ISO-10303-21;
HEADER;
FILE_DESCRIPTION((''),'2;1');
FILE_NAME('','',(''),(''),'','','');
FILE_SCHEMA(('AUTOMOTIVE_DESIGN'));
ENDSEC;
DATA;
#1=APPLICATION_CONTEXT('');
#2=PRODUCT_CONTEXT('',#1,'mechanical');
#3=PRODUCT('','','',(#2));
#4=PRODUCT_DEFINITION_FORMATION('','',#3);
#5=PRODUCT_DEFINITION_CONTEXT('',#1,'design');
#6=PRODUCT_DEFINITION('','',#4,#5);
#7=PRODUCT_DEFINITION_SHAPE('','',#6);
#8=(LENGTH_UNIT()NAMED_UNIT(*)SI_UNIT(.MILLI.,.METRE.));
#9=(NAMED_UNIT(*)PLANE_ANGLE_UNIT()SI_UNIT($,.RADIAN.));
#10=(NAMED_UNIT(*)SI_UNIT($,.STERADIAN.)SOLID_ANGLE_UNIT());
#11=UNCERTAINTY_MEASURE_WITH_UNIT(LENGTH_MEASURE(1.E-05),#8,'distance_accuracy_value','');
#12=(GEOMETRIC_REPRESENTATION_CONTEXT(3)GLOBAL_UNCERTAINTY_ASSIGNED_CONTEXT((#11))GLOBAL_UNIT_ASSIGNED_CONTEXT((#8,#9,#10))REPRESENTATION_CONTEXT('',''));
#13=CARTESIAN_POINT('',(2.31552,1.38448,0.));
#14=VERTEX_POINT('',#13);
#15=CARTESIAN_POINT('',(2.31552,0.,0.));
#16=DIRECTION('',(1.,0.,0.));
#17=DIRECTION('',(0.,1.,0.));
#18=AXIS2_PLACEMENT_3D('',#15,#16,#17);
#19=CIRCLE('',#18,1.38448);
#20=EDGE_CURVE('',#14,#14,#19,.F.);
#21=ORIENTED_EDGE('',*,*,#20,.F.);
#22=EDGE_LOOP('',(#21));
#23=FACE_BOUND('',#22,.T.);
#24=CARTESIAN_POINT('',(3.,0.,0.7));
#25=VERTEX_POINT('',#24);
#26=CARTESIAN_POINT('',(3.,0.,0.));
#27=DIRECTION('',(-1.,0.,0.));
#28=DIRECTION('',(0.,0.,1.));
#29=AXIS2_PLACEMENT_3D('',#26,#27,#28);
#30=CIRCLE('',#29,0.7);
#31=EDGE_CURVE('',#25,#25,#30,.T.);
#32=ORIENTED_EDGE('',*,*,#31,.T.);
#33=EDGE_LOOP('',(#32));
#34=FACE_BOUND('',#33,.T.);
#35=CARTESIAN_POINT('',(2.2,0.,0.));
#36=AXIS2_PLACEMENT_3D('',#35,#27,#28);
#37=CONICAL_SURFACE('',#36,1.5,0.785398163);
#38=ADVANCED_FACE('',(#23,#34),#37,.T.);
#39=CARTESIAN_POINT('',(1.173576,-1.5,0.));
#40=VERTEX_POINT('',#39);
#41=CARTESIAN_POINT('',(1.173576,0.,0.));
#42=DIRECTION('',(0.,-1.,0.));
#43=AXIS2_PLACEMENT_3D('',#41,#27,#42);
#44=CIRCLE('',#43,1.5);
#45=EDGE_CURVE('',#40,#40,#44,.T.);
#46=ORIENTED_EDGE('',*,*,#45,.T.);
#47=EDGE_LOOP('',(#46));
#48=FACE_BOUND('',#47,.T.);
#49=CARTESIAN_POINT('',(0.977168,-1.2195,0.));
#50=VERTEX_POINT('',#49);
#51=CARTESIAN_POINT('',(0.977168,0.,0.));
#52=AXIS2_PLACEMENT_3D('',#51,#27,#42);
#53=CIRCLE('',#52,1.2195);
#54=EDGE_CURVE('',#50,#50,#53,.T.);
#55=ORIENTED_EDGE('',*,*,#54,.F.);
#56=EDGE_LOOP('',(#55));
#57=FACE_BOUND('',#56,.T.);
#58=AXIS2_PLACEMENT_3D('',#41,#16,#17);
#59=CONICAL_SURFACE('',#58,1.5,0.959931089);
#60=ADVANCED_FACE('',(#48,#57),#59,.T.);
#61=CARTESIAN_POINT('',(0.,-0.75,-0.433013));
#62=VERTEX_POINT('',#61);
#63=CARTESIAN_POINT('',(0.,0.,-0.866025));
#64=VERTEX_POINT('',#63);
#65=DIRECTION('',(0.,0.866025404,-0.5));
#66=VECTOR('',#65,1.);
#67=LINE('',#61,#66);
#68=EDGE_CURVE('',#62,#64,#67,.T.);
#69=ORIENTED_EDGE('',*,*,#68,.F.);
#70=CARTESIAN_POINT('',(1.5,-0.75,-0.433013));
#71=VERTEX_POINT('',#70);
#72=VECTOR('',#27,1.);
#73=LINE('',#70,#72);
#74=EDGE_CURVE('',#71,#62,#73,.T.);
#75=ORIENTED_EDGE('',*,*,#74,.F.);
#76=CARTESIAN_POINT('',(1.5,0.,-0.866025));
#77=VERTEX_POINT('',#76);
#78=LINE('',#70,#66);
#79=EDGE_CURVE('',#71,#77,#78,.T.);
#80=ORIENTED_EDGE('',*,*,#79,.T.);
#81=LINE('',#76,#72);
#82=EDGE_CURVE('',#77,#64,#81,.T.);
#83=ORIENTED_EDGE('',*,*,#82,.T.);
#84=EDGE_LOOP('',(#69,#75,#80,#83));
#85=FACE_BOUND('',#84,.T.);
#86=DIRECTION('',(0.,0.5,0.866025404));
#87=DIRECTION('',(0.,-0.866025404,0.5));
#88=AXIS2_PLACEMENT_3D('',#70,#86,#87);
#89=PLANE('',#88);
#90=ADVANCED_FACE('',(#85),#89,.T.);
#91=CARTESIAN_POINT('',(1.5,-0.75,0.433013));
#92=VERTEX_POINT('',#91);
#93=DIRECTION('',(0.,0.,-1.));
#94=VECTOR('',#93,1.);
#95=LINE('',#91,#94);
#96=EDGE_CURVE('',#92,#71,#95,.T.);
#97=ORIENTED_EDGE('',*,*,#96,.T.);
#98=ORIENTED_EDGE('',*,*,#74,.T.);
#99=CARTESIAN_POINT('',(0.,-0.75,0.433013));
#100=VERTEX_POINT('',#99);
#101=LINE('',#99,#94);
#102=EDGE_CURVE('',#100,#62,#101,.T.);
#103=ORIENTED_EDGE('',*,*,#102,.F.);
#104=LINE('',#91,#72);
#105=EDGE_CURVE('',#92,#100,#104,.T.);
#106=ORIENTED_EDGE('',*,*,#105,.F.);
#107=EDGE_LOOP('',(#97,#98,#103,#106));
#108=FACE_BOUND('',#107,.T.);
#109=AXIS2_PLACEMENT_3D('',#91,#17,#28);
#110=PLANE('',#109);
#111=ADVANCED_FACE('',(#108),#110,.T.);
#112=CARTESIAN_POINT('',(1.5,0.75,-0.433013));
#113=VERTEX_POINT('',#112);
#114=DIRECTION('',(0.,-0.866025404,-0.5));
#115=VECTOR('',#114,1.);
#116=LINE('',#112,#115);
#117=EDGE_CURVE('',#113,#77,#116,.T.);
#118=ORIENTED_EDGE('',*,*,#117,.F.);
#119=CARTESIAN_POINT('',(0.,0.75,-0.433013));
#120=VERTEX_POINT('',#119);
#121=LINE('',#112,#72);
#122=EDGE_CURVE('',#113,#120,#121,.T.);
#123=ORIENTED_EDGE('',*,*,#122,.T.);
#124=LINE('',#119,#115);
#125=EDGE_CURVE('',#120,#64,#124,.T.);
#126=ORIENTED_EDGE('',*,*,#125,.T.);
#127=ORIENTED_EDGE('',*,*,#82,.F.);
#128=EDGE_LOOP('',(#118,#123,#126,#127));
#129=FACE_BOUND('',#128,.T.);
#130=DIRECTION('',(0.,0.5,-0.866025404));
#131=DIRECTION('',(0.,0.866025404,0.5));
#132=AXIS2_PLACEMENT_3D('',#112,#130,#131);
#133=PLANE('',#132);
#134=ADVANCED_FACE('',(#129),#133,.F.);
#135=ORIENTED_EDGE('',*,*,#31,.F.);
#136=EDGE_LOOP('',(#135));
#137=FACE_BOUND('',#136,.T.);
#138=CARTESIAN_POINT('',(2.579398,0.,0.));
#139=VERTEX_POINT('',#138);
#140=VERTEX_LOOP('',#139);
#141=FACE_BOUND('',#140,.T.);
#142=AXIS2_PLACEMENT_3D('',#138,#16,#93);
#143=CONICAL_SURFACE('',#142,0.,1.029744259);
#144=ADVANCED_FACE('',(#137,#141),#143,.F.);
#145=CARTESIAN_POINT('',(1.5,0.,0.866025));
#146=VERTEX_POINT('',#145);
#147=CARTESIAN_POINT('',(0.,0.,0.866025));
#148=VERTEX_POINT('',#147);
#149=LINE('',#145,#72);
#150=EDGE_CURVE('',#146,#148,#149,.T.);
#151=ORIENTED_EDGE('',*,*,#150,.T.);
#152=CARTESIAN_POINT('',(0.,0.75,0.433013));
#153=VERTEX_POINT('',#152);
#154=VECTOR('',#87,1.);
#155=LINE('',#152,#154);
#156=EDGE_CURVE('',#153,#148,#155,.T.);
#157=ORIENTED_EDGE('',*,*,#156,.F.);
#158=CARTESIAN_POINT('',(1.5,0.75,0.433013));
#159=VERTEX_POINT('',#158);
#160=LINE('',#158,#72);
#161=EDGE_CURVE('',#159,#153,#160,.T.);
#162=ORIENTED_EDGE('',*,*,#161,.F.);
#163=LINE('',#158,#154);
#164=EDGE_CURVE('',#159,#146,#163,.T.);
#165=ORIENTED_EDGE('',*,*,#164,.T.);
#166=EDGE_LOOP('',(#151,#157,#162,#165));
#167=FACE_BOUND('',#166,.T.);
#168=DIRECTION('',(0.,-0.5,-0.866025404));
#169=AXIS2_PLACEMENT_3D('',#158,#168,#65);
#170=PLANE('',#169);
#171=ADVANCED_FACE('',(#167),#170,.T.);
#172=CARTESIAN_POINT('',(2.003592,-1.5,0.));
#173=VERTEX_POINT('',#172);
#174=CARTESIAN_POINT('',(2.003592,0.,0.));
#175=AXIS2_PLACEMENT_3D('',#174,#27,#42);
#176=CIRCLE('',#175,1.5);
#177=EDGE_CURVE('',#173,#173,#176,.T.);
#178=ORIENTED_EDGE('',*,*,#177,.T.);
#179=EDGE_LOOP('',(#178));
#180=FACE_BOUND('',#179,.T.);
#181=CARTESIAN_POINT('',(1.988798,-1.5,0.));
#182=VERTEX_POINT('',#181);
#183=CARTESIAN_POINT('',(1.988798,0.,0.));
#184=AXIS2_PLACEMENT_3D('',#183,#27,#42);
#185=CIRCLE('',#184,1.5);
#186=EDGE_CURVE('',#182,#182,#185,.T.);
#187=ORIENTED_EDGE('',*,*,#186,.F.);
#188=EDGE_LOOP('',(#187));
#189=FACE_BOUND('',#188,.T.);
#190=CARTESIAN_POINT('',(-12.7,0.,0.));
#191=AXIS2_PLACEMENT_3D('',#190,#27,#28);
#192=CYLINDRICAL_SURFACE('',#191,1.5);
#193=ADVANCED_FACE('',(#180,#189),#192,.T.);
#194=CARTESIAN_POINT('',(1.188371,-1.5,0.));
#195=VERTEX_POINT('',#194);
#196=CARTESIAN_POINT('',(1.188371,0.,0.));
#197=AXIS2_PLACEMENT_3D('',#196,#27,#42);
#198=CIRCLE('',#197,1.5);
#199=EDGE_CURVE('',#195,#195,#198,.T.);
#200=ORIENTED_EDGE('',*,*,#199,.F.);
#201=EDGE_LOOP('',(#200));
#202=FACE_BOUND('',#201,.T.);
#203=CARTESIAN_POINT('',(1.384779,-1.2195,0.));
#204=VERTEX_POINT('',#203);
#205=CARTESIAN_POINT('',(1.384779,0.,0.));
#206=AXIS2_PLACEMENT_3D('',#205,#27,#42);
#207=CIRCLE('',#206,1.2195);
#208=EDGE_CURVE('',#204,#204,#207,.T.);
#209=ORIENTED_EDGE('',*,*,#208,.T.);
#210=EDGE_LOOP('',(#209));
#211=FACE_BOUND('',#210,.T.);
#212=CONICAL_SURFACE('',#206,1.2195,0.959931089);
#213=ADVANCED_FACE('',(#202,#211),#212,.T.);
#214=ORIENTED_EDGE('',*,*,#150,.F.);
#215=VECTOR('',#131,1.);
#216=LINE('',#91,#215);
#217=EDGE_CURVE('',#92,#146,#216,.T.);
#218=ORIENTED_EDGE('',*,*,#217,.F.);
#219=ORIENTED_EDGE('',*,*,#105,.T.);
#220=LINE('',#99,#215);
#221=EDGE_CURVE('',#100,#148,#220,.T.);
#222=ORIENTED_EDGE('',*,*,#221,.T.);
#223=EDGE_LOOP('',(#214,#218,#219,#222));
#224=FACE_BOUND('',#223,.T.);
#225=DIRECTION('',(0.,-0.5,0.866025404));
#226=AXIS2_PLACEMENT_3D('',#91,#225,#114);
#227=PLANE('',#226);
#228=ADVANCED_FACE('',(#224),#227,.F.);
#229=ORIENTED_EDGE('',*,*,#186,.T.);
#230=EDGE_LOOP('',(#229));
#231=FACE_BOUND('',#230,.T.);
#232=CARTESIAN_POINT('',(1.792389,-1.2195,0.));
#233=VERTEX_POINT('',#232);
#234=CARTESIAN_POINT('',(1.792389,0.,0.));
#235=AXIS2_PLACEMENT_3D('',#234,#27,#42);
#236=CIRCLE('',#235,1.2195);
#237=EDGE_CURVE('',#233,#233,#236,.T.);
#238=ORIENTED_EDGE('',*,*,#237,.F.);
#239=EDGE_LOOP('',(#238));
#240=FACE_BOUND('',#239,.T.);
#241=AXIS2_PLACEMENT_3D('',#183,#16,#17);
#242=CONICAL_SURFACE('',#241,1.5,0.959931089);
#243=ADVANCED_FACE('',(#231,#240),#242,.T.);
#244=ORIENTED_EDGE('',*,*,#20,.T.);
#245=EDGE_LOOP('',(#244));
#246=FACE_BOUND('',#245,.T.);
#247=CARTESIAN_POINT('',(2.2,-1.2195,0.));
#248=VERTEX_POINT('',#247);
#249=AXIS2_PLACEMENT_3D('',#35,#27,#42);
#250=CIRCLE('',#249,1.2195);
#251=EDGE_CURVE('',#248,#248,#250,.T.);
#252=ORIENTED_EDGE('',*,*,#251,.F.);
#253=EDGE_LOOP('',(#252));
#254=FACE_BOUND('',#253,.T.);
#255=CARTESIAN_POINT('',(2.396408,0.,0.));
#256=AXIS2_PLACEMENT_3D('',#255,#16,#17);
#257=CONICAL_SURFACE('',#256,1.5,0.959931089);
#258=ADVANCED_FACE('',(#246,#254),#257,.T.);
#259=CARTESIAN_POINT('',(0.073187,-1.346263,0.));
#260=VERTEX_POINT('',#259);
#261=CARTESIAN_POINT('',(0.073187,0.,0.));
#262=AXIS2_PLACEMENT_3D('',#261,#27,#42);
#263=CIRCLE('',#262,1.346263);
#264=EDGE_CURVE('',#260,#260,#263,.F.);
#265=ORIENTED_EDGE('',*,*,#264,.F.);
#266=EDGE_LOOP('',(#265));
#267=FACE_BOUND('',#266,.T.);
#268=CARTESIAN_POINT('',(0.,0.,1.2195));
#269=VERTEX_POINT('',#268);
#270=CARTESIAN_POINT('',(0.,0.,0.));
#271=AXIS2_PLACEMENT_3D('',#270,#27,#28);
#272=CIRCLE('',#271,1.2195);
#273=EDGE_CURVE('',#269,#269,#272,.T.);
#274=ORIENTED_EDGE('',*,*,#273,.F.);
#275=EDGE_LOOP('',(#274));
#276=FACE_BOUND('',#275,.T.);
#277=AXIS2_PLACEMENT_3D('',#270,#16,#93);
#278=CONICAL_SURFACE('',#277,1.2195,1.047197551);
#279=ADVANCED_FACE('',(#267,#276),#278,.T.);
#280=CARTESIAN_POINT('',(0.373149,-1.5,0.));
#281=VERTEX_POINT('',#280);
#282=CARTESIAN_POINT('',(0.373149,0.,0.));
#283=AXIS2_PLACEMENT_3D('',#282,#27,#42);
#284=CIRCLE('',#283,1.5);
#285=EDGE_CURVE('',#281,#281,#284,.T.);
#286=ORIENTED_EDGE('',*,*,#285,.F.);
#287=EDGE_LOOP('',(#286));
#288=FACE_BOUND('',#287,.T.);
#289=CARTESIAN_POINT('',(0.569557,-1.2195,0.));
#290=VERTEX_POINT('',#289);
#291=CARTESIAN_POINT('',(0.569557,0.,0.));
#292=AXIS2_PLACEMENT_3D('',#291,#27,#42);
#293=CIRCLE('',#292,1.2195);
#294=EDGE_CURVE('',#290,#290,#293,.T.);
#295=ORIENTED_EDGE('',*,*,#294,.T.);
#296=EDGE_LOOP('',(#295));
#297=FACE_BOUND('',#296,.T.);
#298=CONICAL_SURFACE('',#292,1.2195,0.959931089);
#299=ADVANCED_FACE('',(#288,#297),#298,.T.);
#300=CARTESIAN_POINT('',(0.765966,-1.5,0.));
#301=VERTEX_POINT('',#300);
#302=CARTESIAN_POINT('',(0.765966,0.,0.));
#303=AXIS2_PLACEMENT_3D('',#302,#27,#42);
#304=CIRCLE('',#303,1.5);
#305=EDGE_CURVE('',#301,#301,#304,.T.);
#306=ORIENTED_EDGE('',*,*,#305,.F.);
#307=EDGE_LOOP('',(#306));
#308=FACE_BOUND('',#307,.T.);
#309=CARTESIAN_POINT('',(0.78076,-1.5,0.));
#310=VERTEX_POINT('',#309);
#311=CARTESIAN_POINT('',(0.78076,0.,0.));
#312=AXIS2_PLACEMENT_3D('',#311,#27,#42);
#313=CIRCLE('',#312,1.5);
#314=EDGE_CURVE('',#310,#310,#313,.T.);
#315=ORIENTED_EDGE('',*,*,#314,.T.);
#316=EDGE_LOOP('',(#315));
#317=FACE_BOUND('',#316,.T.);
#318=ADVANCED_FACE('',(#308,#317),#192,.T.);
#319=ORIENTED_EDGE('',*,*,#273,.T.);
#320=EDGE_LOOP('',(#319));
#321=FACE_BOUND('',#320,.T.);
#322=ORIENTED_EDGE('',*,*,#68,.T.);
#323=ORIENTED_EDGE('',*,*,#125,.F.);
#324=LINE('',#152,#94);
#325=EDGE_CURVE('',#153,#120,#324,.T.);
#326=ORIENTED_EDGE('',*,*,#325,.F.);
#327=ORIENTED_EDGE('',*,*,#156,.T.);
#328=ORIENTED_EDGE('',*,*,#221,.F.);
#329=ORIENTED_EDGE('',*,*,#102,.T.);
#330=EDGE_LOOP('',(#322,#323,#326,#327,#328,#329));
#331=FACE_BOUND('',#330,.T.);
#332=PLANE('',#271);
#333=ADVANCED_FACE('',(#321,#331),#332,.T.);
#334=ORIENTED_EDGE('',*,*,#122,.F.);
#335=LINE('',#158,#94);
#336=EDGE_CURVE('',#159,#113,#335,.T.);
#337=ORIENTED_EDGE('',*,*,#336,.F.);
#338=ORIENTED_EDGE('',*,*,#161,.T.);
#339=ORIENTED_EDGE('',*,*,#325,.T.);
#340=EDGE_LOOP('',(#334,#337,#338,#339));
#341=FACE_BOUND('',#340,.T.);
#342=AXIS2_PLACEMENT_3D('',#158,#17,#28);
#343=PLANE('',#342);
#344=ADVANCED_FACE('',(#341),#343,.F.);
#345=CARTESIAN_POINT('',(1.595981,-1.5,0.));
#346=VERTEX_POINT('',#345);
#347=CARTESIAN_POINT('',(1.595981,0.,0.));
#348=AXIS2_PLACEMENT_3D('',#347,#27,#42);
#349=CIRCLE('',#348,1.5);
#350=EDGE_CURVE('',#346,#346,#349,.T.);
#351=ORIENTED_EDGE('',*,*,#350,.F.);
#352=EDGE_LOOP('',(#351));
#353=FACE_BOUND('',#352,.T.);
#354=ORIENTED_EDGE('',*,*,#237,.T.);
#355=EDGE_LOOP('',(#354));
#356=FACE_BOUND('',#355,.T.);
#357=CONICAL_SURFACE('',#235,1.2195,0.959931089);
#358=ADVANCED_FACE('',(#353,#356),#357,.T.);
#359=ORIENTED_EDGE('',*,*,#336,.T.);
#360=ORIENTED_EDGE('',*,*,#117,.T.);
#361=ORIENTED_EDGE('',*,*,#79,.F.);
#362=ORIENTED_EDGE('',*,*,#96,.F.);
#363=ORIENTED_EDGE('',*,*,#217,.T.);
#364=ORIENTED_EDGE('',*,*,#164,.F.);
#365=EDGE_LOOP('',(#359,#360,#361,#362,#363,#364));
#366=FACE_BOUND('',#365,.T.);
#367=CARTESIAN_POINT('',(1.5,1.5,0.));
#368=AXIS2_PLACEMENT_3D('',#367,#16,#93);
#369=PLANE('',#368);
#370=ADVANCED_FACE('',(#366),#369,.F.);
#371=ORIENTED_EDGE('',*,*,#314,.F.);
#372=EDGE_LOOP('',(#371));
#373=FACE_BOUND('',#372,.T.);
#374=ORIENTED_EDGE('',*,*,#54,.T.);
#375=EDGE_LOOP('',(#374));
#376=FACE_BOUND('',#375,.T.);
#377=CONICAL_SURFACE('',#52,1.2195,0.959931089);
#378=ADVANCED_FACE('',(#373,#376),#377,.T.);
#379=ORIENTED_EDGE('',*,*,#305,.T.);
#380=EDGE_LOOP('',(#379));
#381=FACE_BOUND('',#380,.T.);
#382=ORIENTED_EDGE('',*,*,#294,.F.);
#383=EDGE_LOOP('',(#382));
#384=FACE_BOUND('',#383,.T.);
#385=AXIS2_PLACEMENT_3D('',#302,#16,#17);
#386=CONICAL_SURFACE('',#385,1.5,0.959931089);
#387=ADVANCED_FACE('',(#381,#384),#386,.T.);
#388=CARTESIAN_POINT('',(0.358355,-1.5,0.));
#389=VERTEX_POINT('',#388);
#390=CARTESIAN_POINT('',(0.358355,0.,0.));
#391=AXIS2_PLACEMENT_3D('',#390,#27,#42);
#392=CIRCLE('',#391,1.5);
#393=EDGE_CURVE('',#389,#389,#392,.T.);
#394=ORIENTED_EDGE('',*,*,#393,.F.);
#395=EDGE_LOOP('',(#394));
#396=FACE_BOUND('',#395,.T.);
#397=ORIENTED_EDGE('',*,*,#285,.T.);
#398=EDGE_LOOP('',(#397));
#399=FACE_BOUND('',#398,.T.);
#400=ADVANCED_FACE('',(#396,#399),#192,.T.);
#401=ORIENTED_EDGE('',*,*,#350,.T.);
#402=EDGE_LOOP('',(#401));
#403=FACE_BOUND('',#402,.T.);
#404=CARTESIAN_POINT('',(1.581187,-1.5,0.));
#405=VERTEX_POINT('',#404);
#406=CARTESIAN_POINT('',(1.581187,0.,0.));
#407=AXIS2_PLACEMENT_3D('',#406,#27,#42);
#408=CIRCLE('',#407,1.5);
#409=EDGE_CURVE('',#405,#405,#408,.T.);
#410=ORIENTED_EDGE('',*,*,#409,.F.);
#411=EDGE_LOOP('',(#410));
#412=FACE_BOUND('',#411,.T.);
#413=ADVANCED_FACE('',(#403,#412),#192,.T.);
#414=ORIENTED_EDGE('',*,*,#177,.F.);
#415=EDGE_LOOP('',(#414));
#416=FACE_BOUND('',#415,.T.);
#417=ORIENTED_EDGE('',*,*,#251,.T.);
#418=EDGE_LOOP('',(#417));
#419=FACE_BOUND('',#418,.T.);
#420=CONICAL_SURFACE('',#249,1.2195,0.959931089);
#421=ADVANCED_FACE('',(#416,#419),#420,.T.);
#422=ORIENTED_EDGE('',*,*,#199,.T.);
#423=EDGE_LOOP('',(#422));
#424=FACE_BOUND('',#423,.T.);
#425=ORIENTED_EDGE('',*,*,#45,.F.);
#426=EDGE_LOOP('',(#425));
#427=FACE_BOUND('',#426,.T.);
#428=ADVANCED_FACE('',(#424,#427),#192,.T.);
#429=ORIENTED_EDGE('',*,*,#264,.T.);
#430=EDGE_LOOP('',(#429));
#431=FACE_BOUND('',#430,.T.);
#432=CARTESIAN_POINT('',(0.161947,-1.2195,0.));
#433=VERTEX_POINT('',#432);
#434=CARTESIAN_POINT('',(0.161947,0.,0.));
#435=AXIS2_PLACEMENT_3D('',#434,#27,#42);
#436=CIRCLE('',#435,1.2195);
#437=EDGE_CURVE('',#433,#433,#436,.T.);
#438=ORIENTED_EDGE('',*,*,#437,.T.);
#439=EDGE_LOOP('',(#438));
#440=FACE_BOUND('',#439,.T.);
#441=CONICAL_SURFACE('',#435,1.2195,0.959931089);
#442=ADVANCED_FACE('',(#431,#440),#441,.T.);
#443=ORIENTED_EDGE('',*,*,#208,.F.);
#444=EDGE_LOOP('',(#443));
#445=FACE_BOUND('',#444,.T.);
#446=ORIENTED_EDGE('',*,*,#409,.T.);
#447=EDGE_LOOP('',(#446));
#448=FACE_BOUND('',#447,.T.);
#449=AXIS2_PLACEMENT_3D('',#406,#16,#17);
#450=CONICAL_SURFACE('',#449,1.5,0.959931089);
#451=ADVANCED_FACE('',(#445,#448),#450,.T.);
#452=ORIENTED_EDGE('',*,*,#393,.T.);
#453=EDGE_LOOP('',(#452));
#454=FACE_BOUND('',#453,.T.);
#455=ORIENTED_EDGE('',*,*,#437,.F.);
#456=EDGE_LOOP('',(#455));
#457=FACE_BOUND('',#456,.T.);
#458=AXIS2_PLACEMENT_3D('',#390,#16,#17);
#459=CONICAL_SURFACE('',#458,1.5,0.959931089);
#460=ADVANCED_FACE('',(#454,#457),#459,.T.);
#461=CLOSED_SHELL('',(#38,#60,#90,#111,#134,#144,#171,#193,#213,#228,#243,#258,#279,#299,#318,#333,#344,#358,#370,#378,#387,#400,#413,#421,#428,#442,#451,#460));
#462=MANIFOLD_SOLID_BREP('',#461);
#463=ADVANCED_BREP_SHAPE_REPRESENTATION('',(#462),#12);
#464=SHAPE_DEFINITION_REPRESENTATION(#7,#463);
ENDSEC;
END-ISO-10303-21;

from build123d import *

# Parameters (mm, degrees)
HEX_2_DEPTH     = 1.5
THDSCHPAT_COUNT = 6
THDSCHPAT_PITCH = 0.407610675


with BuildPart() as part:
    # BodySke → BaseBody (revolve)
    with BuildSketch(Plane.XY, mode=Mode.PRIVATE) as basebody_sk:
        Polygon((0, 0), (0, 1.2195), (0.161946751, 1.5), (2.2, 1.5), (3, 0.7), (2.579397567, 0), align=None)
    revolve(basebody_sk.sketch.rotate(Axis((-12.7, 0, 0), (1, 0, 0)), 90), axis=Axis((-12.7, 0, 0), (1, 0, 0)))

    # Sketch2 → Hex 2 (cut)
    with BuildSketch(Plane.ZY):
        Polygon((0.433012702, 0.75), (-0.433012702, 0.75), (-0.866025404, 0), (-0.433012702, -0.75), (0.433012702, -0.75), (0.866025404, 0), align=None)
    extrude(amount=-HEX_2_DEPTH, mode=Mode.SUBTRACT)

    # ThdSchSke → ThreadSchematic (revolve, cut)
    with BuildSketch(Plane.XY):
        Polygon((0.161946751, -1.2195), (-0.034461464, -1.5), (-0.034461464, -1.875), (0.358354965, -1.875), (0.358354965, -1.5), align=None)
    threadschematic = revolve(axis=Axis((-3.175, 0, 0), (1, 0, 0)), mode=Mode.SUBTRACT)

    # ThdSchPat: ThreadSchematic ×6
    with Locations(*[(i * THDSCHPAT_PITCH, 0, 0) for i in range(1, THDSCHPAT_COUNT)]):
        add(threadschematic, mode=Mode.SUBTRACT)


solid = part.part
